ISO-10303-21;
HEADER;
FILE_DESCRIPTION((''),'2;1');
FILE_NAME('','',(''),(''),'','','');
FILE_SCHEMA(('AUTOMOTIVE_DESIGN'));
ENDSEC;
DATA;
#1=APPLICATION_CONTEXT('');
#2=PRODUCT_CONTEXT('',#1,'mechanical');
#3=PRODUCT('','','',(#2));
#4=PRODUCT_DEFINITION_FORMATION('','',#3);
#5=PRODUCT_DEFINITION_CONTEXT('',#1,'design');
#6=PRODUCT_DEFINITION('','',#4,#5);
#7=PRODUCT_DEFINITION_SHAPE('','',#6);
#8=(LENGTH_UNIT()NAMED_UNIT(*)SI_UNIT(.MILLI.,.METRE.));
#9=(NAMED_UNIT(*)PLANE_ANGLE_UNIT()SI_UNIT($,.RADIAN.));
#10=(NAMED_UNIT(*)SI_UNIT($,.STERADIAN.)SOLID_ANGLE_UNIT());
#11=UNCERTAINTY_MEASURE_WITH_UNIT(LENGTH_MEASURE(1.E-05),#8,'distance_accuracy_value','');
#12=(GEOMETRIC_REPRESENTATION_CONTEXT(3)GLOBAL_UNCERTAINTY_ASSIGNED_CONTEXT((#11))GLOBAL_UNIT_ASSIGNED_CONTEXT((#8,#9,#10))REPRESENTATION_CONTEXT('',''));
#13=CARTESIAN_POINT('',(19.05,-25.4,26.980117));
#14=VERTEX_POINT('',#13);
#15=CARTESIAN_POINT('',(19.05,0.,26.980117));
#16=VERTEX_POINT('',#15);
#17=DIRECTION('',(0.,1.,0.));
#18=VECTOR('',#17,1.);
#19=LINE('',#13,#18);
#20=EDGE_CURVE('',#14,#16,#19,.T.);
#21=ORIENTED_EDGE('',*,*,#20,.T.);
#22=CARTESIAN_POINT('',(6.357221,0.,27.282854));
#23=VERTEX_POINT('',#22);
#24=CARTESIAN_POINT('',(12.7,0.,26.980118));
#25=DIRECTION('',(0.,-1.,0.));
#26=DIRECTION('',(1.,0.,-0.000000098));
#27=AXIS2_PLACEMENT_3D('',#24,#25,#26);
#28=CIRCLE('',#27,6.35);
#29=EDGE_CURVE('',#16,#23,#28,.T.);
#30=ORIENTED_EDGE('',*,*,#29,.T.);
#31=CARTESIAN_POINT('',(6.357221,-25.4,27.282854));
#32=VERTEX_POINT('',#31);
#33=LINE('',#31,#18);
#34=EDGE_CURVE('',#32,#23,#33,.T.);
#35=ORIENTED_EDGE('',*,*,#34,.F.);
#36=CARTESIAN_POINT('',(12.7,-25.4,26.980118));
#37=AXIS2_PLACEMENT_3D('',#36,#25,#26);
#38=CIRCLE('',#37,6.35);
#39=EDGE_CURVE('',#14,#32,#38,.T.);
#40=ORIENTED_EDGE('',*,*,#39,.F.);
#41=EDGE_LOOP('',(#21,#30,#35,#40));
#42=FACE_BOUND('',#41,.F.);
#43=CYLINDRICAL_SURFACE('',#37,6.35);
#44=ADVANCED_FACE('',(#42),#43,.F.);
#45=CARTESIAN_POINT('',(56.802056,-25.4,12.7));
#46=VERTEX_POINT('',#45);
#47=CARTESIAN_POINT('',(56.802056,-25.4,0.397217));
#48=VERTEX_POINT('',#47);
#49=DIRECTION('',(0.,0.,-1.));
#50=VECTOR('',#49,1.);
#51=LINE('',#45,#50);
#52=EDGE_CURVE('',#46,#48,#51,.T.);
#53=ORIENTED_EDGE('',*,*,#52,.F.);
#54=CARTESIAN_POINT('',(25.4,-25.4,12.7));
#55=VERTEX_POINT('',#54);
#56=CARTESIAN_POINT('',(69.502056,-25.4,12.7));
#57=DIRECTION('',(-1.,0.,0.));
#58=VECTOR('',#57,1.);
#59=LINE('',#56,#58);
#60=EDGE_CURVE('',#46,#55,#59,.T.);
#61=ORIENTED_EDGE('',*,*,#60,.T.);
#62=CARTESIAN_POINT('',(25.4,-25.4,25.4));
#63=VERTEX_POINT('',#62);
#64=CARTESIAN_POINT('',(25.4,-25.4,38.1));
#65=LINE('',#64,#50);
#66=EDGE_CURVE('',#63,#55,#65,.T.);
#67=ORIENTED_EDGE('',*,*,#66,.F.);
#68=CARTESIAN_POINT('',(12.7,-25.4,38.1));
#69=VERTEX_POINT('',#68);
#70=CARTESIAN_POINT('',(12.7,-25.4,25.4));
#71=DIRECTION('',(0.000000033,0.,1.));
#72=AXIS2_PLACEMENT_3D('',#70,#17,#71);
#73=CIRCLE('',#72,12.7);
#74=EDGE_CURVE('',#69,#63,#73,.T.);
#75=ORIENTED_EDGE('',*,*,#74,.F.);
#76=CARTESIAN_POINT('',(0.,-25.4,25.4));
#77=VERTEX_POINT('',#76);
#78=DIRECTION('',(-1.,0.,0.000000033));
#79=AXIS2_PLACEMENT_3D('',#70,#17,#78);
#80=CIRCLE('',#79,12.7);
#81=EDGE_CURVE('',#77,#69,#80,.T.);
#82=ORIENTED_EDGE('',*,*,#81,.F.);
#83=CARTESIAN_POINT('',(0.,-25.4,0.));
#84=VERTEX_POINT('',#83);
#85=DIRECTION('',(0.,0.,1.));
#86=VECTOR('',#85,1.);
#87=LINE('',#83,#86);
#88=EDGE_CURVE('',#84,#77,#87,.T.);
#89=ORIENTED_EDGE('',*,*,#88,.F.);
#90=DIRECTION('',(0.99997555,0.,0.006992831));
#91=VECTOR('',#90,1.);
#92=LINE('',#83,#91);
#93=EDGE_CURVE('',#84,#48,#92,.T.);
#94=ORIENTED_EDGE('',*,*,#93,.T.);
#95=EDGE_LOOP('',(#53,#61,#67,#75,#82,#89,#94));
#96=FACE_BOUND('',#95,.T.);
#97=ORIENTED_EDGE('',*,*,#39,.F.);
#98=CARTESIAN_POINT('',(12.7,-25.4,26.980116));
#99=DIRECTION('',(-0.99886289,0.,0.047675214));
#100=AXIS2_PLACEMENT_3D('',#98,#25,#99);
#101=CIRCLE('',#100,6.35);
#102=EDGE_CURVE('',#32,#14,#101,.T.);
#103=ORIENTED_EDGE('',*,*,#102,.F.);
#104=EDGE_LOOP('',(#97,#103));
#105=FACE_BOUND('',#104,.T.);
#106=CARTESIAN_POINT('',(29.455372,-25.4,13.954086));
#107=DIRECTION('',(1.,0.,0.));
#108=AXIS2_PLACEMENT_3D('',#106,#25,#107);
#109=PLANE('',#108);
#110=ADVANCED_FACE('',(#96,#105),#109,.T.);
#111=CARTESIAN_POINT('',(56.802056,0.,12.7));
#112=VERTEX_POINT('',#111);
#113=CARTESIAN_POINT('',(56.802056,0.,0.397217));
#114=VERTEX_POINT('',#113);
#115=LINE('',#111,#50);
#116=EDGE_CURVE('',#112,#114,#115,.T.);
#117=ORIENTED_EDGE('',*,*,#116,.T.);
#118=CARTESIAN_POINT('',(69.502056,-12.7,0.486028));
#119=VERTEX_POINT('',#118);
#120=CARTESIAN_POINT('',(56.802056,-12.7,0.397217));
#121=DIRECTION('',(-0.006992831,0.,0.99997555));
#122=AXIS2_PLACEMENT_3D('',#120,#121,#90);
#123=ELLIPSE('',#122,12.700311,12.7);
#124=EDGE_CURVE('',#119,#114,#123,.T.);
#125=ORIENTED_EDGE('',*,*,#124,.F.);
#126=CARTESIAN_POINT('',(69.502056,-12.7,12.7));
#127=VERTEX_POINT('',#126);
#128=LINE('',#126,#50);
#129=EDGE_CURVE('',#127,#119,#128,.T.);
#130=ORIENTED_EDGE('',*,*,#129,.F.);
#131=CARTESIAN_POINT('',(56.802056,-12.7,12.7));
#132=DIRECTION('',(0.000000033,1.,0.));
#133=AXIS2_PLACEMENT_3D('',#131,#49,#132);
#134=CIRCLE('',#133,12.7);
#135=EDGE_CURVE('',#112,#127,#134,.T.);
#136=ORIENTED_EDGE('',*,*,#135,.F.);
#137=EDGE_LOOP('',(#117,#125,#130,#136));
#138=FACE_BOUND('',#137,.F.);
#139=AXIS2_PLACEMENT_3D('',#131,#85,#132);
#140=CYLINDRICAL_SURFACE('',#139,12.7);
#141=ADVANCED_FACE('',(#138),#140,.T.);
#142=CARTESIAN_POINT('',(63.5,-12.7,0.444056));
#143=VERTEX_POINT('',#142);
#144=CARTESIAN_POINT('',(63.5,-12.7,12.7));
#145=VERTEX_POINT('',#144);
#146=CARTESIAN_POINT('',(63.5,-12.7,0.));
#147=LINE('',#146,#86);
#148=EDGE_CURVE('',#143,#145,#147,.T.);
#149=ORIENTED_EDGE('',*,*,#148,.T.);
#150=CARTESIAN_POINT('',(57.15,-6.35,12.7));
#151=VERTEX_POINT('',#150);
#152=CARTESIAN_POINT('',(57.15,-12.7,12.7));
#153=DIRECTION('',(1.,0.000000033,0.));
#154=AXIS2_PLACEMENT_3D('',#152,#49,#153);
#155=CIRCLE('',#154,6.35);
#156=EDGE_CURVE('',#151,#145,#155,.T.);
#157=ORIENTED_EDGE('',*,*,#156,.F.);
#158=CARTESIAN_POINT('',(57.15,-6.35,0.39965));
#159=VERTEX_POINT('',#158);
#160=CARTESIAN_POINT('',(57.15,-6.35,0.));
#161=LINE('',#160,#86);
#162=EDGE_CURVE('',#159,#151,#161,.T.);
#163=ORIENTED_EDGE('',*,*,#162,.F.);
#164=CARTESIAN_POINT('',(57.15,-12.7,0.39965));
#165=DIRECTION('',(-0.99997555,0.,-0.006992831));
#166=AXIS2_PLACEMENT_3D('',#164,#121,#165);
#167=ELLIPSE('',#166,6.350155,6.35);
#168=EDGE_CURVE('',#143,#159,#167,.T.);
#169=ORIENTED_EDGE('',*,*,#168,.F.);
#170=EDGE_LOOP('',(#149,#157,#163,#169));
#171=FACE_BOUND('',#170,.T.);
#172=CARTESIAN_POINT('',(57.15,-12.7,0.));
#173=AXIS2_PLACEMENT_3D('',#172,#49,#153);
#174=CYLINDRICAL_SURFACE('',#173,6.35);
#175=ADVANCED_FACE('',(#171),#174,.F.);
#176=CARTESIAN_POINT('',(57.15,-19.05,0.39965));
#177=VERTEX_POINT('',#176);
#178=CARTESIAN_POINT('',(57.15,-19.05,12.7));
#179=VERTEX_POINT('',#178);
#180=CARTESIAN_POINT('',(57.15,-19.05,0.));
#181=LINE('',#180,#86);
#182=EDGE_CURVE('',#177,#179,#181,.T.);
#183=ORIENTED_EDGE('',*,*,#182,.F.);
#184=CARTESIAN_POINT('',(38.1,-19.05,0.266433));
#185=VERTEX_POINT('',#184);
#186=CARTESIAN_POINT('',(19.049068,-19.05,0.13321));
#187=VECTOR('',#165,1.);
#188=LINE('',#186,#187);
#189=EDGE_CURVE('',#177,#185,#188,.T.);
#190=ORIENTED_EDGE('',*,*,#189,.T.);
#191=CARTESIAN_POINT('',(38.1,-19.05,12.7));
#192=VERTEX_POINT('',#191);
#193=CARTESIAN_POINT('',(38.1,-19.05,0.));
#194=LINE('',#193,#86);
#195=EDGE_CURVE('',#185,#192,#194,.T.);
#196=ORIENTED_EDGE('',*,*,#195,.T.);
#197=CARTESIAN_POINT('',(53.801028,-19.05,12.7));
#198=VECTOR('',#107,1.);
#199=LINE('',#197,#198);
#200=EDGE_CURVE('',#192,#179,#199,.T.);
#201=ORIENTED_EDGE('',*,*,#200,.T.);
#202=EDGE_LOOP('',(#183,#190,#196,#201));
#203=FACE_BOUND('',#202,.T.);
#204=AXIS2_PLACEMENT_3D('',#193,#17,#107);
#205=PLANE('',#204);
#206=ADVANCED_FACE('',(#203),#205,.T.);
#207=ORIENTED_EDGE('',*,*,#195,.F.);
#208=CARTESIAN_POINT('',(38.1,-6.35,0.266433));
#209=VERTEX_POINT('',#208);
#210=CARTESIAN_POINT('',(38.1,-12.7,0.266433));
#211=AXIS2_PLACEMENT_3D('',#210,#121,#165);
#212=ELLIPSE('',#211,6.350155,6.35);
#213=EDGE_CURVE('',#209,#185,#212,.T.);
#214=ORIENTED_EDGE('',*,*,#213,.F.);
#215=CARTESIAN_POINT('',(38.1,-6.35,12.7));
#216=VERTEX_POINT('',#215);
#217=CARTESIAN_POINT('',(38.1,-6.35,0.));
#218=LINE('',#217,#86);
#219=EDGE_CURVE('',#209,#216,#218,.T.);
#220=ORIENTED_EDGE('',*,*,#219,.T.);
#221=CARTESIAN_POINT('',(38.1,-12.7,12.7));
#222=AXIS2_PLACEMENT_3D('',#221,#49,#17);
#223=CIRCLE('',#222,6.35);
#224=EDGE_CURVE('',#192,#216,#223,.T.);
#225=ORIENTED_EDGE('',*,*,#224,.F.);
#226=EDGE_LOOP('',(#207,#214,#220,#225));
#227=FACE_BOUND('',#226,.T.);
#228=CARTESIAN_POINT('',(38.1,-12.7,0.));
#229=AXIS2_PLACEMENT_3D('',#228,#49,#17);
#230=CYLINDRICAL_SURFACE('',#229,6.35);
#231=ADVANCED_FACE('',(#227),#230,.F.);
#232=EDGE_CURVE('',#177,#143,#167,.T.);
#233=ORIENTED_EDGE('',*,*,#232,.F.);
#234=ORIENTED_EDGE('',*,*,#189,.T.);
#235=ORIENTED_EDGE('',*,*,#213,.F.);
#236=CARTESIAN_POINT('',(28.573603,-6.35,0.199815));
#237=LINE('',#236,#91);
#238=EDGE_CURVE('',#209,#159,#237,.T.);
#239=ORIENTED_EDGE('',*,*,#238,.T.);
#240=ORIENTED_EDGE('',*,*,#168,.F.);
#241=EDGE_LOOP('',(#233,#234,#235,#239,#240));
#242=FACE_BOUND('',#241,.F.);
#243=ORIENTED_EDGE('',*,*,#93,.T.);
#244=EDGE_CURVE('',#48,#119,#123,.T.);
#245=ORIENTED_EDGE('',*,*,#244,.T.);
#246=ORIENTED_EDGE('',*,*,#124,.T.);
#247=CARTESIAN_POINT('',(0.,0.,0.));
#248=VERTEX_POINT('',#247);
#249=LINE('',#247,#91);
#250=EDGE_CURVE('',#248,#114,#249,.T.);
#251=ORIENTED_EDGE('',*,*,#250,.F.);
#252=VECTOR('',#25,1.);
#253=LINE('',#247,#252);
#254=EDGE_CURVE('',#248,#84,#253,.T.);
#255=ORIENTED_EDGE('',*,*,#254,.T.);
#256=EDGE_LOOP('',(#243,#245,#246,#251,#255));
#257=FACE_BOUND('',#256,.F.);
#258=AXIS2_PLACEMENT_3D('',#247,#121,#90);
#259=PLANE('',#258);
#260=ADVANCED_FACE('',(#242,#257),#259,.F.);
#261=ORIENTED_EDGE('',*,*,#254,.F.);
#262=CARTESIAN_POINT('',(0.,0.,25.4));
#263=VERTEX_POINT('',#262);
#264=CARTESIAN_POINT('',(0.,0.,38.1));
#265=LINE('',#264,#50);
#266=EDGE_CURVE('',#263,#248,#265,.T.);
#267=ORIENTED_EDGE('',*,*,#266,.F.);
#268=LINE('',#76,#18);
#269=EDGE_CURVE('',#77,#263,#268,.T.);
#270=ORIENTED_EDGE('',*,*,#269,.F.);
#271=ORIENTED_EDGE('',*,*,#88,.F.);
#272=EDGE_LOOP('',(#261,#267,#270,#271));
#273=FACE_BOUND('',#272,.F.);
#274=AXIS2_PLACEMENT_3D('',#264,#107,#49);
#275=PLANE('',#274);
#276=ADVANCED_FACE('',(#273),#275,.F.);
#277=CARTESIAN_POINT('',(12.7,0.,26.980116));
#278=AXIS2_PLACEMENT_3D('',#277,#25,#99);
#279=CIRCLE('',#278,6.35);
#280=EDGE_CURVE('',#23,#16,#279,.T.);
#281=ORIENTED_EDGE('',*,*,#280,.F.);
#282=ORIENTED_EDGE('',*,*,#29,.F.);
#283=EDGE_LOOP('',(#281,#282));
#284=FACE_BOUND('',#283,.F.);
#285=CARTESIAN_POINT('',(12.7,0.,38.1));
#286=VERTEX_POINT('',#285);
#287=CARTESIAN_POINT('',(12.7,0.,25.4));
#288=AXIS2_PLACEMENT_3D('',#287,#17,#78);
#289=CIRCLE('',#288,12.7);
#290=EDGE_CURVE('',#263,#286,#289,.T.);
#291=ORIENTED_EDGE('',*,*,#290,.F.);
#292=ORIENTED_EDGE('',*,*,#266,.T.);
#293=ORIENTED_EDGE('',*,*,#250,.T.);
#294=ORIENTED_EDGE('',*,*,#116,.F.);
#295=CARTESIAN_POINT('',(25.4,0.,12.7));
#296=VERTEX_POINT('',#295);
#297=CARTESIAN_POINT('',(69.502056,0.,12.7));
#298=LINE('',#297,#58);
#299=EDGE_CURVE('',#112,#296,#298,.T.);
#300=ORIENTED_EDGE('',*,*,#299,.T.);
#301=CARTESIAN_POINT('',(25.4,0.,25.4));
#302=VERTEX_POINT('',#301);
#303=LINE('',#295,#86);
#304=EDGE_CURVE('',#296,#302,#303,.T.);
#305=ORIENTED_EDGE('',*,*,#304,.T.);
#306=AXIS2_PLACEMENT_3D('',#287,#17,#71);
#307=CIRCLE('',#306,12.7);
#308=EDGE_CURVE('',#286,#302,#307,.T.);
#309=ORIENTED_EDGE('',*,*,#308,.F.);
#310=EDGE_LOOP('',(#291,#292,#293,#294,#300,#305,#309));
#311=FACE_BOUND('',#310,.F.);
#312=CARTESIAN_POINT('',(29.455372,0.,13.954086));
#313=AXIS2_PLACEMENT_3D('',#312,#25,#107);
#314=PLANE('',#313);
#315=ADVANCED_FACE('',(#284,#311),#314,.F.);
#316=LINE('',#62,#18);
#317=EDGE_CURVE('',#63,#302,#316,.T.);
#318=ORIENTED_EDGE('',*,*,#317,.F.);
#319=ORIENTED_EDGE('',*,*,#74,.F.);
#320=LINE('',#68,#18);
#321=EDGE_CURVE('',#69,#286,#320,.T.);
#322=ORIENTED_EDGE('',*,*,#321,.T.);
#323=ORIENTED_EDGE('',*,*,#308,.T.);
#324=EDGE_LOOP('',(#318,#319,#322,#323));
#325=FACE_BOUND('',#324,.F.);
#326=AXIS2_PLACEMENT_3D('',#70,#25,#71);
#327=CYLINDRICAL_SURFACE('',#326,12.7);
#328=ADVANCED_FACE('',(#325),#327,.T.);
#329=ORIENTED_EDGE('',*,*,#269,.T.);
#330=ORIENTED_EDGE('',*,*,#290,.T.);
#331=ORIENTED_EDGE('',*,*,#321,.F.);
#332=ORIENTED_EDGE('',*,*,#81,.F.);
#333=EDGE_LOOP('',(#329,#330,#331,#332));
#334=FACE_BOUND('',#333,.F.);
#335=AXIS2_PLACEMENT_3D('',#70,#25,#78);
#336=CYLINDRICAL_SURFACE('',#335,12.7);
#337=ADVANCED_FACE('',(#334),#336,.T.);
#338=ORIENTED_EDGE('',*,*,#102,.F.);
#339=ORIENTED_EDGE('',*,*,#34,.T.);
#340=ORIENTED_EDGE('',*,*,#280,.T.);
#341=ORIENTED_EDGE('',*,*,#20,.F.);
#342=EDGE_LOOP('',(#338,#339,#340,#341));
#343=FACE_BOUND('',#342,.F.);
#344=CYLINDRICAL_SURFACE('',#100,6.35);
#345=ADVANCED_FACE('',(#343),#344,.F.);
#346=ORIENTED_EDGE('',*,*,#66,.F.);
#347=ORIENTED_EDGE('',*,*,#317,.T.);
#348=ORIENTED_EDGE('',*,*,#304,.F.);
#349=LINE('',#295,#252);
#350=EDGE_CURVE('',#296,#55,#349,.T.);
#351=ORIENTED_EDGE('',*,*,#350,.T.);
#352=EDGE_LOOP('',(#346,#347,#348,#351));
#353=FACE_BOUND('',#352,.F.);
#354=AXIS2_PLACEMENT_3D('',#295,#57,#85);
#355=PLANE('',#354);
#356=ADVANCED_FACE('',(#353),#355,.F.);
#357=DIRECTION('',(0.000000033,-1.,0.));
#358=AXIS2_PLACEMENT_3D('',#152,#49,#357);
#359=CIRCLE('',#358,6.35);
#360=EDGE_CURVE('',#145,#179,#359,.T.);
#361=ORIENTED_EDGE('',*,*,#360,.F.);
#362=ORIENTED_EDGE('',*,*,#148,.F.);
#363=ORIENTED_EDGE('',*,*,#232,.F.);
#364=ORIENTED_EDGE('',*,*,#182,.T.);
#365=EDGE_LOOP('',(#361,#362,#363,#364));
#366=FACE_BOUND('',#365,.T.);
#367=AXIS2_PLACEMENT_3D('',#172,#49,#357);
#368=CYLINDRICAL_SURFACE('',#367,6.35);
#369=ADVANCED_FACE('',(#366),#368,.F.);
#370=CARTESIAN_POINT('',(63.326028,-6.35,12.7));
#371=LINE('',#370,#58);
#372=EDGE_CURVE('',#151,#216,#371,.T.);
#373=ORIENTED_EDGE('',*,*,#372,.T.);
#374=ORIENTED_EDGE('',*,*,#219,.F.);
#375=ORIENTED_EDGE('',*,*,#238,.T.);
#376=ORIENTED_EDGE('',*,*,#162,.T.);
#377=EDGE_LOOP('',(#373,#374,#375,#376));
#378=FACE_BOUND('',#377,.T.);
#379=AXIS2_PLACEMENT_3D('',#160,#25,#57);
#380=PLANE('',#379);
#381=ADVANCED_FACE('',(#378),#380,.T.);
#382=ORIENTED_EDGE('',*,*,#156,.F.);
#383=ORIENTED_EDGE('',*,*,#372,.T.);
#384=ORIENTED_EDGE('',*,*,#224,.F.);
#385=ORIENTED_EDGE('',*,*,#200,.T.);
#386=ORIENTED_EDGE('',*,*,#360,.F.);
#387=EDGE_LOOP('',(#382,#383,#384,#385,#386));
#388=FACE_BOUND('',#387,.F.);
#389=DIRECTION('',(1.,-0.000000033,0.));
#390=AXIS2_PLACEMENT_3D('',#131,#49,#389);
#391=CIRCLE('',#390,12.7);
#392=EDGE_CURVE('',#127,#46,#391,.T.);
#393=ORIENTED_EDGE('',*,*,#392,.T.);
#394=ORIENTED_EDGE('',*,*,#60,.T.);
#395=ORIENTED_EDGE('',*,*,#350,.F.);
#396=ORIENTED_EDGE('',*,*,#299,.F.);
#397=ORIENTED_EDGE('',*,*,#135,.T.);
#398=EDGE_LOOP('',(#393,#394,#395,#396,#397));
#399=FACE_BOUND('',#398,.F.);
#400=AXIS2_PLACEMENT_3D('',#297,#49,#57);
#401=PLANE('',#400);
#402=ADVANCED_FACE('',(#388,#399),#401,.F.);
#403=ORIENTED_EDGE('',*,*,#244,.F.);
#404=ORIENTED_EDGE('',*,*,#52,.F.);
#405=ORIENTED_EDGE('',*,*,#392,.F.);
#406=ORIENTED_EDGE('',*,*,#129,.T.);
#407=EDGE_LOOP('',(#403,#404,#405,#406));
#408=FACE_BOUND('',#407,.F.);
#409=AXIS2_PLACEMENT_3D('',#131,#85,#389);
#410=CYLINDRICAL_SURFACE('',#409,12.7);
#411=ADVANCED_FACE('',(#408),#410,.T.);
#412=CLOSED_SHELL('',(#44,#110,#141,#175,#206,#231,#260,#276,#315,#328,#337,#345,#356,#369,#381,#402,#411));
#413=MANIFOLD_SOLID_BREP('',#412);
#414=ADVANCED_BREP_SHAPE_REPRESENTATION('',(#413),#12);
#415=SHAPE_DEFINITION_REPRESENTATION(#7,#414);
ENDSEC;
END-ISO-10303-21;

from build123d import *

# Parameters (mm, degrees)
F1_DEPTH  = 25.4
F3_DEPTH  = 25.4
F5_DEPTH  = 101.6
F7_DEPTH  = 127
F8_DEPTH  = 25.4
F10_DEPTH = 25.4


with BuildPart() as f1:
    # F0 (on Front) → F1 (new body)
    with BuildSketch(Plane.XZ):
        Polygon((25.4, 38.1), (0, 38.1), (0, 0), (69.502056, 0.486028), (69.502056, 12.7), (25.4, 12.7), align=None)
    extrude(amount=F1_DEPTH)

    # F2 (on face) → F3 (cut)
    with BuildSketch(Plane.XY.offset(12.7)):
        with BuildLine():
            ThreePointArc((56.802056, 0), (65.782312, -3.719744), (69.502056, -12.7))
            Line((69.502056, -12.7), (69.502056, 0))
            Line((69.502056, 0), (56.802056, 0))
        make_face()
        with BuildLine():
            Line((56.802056, -25.4), (69.502056, -25.4))
            Line((69.502056, -25.4), (69.502056, -12.7))
            ThreePointArc((69.502056, -12.7), (65.782312, -21.680256), (56.802056, -25.4))
        make_face()
    extrude(amount=-F3_DEPTH, mode=Mode.SUBTRACT)

    # F4 (on face) → F5 (cut)
    with BuildSketch(Plane.XZ.offset(25.4)):
        with BuildLine():
            ThreePointArc((6.357221, 27.282854), (12.548588, 20.631922), (19.05, 26.980117))
            ThreePointArc((19.05, 26.980117), (12.851412, 33.328312), (6.357221, 27.282854))
        make_face()
    extrude(amount=-F5_DEPTH, mode=Mode.SUBTRACT)

    # F6 (on face) → F7 (cut)
    with BuildSketch(Plane.XZ.offset(25.4)):
        with BuildLine():
            ThreePointArc((12.7, 38.1), (21.680256, 34.380256), (25.4, 25.4))
            Line((25.4, 25.4), (25.4, 38.1))
            Line((25.4, 38.1), (12.7, 38.1))
        make_face()
        with BuildLine():
            ThreePointArc((0, 25.4), (3.719744, 34.380256), (12.7, 38.1))
            Line((12.7, 38.1), (0, 38.1))
            Line((0, 38.1), (0, 25.4))
        make_face()
    extrude(amount=F7_DEPTH, mode=Mode.SUBTRACT)

    # F6 (on face) → F8 (cut)
    with BuildSketch(Plane.XZ.offset(25.4)):
        with BuildLine():
            ThreePointArc((0, 25.4), (3.719744, 34.380256), (12.7, 38.1))
            Line((12.7, 38.1), (0, 38.1))
            Line((0, 38.1), (0, 25.4))
        make_face()
        with BuildLine():
            ThreePointArc((12.7, 38.1), (21.680256, 34.380256), (25.4, 25.4))
            Line((25.4, 25.4), (25.4, 38.1))
            Line((25.4, 38.1), (12.7, 38.1))
        make_face()
    extrude(amount=-F8_DEPTH, mode=Mode.SUBTRACT)

    # F9 (on Top) → F10 (cut)
    with BuildSketch(Plane.XY):
        with BuildLine():
            ThreePointArc((63.5, -12.7), (61.640128, -8.209872), (57.15, -6.35))
            ThreePointArc((57.15, -6.35), (50.8, -12.7), (57.15, -19.05))
            ThreePointArc((57.15, -19.05), (61.640128, -17.190128), (63.5, -12.7))
        make_face()
        with BuildLine():
            ThreePointArc((38.1, -6.35), (42.590128, -8.209872), (44.45, -12.7))
            ThreePointArc((44.45, -12.7), (42.590128, -17.190128), (38.1, -19.05))
            Line((38.1, -19.05), (57.15, -19.05))
            ThreePointArc((57.15, -19.05), (50.8, -12.7), (57.15, -6.35))
            Line((57.15, -6.35), (38.1, -6.35))
        make_face()
        with BuildLine():
            ThreePointArc((38.1, -19.05), (42.590128, -17.190128), (44.45, -12.7))
            ThreePointArc((44.45, -12.7), (42.590128, -8.209872), (38.1, -6.35))
            ThreePointArc((38.1, -6.35), (31.75, -12.7), (38.1, -19.05))
        make_face()
    extrude(amount=F10_DEPTH, mode=Mode.SUBTRACT)


solid = f1.part
